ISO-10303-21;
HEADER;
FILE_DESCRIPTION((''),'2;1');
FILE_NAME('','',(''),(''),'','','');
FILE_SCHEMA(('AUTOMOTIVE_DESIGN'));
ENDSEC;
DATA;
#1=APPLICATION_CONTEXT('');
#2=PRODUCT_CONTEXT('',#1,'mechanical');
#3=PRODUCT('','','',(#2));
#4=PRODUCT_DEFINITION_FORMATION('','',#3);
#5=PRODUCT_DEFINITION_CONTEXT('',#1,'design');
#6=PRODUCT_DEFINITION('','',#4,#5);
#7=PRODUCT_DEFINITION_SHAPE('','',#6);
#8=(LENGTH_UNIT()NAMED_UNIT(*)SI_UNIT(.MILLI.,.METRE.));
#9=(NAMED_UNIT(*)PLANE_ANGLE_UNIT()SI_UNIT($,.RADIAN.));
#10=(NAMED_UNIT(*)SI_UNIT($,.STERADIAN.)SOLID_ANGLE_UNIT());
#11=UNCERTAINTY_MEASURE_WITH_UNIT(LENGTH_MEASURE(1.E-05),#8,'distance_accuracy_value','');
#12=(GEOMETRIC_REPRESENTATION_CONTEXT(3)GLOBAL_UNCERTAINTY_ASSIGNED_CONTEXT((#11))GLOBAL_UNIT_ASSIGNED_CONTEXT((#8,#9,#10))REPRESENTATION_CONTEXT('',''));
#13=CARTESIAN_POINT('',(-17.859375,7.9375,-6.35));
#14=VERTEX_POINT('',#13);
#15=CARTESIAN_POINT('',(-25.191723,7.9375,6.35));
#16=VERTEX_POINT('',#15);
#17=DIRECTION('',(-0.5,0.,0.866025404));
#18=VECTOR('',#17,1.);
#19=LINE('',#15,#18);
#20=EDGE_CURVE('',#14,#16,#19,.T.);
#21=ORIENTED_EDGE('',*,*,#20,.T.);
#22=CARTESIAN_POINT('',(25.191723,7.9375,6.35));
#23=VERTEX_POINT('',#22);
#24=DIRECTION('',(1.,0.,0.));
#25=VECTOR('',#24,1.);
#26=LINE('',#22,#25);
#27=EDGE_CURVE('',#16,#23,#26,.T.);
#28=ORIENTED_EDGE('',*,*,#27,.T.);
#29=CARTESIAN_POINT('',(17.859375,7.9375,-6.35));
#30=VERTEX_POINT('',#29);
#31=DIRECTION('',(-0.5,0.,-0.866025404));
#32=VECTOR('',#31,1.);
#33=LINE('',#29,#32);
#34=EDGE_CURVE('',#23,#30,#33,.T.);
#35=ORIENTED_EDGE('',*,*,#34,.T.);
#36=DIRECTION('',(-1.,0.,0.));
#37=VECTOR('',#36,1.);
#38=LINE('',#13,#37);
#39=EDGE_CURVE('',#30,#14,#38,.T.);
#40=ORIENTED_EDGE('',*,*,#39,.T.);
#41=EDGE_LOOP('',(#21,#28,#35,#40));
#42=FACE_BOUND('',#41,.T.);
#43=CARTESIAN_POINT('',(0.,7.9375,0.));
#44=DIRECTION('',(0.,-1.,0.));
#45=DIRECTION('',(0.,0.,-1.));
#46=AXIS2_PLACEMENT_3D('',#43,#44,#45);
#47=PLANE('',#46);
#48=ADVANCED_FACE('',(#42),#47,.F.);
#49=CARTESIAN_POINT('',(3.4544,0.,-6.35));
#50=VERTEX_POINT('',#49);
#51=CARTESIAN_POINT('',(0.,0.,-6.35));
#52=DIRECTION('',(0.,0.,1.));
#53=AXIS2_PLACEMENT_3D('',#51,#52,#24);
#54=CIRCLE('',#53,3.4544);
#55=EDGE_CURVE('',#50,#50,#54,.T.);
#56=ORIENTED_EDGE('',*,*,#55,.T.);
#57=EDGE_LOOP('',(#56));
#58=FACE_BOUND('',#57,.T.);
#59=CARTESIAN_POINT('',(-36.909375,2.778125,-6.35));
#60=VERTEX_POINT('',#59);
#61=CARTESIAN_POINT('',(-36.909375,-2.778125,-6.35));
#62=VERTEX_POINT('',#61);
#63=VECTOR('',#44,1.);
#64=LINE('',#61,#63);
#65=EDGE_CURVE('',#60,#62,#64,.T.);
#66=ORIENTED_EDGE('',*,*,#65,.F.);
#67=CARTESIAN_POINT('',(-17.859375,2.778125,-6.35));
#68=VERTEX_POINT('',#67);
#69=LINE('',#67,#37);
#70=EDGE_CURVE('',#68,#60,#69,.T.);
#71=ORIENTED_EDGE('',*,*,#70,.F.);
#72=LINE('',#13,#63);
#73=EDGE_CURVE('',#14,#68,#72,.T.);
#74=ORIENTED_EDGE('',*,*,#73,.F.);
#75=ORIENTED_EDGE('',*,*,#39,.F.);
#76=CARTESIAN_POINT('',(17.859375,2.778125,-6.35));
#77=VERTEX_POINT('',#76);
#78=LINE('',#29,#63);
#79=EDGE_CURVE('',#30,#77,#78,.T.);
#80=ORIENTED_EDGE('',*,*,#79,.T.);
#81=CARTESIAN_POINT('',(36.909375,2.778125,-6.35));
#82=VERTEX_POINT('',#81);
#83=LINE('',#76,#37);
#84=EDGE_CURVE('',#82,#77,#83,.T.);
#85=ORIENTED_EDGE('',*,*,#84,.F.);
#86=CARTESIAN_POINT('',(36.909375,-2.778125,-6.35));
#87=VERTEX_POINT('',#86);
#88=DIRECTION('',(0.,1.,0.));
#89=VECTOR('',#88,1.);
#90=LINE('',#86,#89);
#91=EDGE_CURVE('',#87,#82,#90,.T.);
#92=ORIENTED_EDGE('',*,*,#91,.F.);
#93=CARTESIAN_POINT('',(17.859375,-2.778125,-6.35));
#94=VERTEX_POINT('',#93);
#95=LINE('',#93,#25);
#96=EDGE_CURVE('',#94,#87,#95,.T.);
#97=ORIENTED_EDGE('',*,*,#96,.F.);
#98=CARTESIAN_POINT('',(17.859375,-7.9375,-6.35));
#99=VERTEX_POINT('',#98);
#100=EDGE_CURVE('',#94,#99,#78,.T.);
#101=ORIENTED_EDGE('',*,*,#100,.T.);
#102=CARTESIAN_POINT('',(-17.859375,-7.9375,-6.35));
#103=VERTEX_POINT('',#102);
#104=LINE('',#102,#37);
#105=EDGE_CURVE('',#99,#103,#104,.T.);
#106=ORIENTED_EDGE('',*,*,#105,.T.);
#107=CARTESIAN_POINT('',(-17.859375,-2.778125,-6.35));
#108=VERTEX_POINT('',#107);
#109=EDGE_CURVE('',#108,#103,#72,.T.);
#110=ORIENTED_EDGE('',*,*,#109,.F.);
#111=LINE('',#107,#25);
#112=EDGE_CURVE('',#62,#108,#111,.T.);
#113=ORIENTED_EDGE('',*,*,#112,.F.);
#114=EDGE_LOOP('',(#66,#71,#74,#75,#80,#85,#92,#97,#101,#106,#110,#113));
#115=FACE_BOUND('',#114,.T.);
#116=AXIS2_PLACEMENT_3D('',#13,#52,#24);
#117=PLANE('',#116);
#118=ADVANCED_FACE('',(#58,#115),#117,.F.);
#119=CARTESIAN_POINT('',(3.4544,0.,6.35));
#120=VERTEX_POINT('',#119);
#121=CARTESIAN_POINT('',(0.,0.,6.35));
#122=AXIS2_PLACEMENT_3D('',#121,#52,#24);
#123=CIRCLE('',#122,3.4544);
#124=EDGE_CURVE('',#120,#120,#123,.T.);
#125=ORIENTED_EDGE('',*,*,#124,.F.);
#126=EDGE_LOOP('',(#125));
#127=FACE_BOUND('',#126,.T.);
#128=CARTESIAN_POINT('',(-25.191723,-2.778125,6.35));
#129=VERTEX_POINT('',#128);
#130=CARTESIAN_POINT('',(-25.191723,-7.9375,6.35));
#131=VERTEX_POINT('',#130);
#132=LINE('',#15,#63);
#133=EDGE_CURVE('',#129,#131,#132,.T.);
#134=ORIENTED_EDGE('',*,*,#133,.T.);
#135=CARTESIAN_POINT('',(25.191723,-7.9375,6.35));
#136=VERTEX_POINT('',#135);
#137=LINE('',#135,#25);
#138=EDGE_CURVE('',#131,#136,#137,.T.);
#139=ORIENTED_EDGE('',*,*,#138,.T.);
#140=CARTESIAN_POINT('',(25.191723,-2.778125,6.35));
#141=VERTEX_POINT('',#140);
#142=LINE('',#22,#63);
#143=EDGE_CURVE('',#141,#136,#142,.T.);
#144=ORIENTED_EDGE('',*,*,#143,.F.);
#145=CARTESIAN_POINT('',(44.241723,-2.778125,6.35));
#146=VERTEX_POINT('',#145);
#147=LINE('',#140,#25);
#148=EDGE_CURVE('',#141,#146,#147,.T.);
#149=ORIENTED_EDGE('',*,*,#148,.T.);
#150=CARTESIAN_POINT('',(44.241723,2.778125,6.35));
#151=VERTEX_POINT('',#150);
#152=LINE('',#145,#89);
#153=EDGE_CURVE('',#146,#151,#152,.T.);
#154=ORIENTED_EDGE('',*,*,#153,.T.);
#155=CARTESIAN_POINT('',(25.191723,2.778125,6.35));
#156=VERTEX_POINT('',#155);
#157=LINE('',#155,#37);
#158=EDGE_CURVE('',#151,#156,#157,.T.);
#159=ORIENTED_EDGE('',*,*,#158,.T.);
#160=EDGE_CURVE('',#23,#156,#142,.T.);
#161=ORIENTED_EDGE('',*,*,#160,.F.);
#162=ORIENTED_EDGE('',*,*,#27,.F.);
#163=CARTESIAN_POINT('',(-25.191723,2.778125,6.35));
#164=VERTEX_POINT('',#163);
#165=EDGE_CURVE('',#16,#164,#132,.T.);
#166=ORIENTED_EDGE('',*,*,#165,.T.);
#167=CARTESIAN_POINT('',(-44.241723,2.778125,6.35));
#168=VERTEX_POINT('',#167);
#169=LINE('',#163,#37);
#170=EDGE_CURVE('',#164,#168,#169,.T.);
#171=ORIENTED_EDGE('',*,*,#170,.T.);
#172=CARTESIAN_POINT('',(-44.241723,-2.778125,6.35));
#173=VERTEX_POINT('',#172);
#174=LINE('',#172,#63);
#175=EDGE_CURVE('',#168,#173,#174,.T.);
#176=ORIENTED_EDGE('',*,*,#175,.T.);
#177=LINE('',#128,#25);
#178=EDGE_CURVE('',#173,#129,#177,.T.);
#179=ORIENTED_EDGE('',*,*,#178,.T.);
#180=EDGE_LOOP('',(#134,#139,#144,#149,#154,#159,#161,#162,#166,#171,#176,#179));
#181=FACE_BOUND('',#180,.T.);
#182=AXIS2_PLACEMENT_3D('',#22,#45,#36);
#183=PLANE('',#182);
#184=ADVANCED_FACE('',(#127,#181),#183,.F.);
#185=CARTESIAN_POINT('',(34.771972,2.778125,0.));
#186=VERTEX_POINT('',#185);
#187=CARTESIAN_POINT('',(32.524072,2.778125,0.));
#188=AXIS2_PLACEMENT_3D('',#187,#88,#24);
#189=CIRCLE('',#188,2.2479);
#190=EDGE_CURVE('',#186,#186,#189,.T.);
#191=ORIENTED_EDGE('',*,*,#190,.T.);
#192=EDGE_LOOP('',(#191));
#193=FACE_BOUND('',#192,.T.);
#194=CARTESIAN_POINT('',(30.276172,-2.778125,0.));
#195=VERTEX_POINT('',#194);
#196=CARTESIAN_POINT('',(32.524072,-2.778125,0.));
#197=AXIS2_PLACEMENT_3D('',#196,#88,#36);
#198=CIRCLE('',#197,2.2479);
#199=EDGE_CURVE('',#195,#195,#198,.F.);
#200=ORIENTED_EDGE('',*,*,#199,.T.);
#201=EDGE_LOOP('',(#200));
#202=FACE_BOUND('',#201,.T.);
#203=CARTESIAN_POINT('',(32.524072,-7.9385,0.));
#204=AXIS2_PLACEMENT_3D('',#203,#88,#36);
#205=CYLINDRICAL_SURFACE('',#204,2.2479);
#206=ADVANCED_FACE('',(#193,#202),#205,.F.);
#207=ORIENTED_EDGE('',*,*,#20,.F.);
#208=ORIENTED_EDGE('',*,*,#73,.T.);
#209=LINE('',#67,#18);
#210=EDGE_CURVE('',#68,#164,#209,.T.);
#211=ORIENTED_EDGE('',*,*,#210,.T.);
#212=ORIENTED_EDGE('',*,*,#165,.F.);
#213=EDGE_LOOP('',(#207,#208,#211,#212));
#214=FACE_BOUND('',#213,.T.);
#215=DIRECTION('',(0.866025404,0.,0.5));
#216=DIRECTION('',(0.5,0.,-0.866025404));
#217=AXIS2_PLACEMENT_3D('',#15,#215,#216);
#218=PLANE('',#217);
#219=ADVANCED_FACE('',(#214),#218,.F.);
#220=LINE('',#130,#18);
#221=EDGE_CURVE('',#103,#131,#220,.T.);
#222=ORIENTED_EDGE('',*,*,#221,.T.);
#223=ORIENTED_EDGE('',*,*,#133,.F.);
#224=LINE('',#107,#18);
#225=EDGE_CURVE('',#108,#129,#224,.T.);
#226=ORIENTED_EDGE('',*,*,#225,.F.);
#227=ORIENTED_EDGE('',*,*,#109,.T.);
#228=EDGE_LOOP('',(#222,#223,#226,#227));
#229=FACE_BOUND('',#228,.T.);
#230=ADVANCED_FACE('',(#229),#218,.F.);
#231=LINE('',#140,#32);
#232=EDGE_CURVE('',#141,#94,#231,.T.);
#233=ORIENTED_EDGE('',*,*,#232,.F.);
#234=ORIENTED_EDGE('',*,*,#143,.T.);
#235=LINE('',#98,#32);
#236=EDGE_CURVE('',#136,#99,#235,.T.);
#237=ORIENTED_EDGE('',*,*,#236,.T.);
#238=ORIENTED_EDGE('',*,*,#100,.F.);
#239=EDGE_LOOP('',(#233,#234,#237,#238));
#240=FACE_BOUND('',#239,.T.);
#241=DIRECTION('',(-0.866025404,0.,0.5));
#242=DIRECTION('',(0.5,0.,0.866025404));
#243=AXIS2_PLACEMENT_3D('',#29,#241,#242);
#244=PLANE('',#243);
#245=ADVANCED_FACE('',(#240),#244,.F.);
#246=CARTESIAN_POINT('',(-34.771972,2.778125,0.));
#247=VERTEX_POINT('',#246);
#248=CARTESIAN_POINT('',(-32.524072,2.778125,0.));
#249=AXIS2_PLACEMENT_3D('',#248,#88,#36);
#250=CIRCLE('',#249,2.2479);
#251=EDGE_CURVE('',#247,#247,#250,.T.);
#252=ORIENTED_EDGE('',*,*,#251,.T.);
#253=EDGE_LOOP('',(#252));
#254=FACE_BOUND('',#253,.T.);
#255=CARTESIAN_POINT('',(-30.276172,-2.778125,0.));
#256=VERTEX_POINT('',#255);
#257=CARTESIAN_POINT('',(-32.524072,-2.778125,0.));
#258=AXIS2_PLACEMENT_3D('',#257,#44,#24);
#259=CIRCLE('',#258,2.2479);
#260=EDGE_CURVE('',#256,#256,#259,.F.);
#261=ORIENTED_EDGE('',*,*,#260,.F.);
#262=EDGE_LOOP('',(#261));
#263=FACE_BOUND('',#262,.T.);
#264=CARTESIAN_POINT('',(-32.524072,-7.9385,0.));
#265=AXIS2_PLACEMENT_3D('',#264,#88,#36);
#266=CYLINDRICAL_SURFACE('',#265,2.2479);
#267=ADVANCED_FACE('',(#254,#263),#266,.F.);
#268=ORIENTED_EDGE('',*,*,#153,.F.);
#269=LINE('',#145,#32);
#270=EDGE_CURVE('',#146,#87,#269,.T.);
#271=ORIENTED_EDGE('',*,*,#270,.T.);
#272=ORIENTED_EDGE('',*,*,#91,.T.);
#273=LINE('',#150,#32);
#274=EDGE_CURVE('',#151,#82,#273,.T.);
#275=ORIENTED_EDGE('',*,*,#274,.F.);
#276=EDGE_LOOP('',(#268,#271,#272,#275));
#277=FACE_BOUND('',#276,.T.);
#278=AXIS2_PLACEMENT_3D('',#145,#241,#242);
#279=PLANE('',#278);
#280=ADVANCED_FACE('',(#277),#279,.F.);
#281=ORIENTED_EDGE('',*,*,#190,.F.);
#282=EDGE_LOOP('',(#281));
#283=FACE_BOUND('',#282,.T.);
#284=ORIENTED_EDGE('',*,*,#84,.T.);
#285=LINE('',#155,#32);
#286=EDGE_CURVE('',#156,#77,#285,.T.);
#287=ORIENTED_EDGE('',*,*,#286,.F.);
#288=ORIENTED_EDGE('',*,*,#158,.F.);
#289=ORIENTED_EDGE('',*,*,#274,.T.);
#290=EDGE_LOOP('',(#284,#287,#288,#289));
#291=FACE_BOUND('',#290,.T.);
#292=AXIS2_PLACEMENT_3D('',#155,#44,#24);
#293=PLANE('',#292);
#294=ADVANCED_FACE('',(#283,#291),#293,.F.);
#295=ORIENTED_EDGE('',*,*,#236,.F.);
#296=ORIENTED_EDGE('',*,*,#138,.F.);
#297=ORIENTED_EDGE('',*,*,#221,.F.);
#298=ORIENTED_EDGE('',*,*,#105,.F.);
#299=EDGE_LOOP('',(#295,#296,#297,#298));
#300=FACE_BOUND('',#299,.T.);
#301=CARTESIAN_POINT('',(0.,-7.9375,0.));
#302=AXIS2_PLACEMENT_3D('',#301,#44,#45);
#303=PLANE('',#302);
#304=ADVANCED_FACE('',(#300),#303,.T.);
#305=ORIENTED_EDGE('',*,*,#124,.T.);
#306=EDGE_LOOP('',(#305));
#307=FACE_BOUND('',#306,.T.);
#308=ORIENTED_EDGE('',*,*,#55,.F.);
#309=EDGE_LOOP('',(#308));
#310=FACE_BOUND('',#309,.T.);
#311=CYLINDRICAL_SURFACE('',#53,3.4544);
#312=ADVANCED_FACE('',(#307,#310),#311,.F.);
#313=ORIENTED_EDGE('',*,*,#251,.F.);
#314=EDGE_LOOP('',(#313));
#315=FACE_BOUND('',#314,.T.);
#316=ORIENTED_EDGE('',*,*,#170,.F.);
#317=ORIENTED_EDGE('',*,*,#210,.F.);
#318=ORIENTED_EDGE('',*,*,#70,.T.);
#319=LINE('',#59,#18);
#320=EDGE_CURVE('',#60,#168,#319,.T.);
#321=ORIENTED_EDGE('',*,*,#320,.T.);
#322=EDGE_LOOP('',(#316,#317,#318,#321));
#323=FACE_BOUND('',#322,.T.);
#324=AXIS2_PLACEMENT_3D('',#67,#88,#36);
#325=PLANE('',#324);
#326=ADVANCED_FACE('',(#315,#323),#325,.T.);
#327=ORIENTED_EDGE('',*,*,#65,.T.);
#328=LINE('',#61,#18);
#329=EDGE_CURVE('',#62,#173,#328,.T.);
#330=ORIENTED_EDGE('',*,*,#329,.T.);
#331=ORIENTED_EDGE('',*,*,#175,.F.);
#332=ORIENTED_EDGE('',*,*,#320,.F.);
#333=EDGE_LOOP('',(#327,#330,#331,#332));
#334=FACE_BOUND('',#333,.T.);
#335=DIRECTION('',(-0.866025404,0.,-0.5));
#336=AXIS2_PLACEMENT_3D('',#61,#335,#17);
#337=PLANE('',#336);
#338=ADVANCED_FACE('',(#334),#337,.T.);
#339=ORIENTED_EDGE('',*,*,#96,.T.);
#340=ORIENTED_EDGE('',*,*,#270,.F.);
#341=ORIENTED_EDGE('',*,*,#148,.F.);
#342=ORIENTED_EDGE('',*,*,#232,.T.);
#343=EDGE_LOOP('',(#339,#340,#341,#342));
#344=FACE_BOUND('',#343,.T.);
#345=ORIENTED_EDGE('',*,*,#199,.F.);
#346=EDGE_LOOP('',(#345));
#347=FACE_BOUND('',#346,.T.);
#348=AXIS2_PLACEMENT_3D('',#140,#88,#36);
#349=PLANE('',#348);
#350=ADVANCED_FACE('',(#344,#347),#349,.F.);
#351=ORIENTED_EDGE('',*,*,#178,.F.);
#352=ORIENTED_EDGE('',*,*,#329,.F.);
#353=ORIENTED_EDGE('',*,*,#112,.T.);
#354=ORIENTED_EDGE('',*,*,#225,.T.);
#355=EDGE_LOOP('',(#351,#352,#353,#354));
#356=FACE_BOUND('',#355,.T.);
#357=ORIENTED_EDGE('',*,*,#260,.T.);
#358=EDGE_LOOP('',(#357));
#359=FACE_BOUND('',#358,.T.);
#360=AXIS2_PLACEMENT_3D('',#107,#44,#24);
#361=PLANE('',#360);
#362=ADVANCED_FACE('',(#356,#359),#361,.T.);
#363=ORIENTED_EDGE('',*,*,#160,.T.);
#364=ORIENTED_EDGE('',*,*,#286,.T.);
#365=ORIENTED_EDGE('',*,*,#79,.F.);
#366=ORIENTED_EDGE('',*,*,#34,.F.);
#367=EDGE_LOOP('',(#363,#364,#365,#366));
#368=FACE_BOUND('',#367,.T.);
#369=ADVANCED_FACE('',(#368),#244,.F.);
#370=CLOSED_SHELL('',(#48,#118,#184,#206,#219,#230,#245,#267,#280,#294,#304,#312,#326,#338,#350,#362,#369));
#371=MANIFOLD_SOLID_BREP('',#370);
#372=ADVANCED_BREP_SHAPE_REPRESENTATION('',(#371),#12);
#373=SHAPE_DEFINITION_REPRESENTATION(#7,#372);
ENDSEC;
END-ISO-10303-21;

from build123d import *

# Parameters (mm, degrees)
BOSS_EXTRUDE1_DEPTH = 7.9375
SKETCH5_R           = 3.4544
CUT_EXTRUDE2_DEPTH  = 30.30728297
SKETCH6_W           = 19.05
SKETCH6_H           = 5.55625
SKETCH7_W           = 19.05
SKETCH7_H           = 5.55625
CUT_EXTRUDE3_REACH  = 47.962
SKETCH8_R           = 2.2479


with BuildPart() as part:
    # Sketch2 → Boss-Extrude1 (new, symmetric)
    with BuildSketch(Plane(origin=(0, 0, 0), x_dir=(1, 0, 0), z_dir=(0, 1, 0))):
        Polygon((-17.859375, 6.35), (17.859375, 6.35), (25.191723419, -6.35), (-25.191723419, -6.35), align=None)
    extrude(amount=BOSS_EXTRUDE1_DEPTH, both=True)

    # Sketch5 → Cut-Extrude2 (cut, through all)
    with BuildSketch(Plane.XY.offset(6.35)):
        Circle(SKETCH5_R)
    extrude(amount=-CUT_EXTRUDE2_DEPTH, mode=Mode.SUBTRACT)

    # Sweep1: sweep along a curve in space
    with BuildLine() as sweep1_path:
        Line((-17.859375, 7.9375, -6.35), (-25.191723419, 7.9375, 6.35))
    # Sketch6 → Sweep1 (sweep)
    with BuildSketch(Plane.XY.offset(6.35)):
        with Locations((-34.716723419, 0)):
            Rectangle(SKETCH6_W, SKETCH6_H)
    sweep(path=sweep1_path.line)

    # Sweep2: sweep along a curve in space
    with BuildLine() as sweep2_path:
        Line((25.191723419, 7.9375, 6.35), (17.859375, 7.9375, -6.35))
    # Sketch7 → Sweep2 (sweep)
    with BuildSketch(Plane.XY.offset(6.35)):
        with Locations((34.716723419, 0)):
            Rectangle(SKETCH7_W, SKETCH7_H)
    sweep(path=sweep2_path.line)

    # Sketch8 → Cut-Extrude3 (cut, up to next)
    with BuildSketch(Plane(origin=(0, 2.778125, 0), x_dir=(1, 0, 0), z_dir=(0, 1, 0)), mode=Mode.PRIVATE) as cut_extrude3_sk1:
        with Locations(Location((-32.524071837, 0, 0), (0, 0, 180))):
            Circle(SKETCH8_R)
    cut_extrude3_tool1 = extrude(cut_extrude3_sk1.sketch, amount=-CUT_EXTRUDE3_REACH, mode=Mode.PRIVATE) & part.part
    # Sketch8 → Cut-Extrude3 (cut, up to next)
    with BuildSketch(Plane(origin=(0, 2.778125, 0), x_dir=(1, 0, 0), z_dir=(0, 1, 0)), mode=Mode.PRIVATE) as cut_extrude3_sk2:
        with Locations(Location((32.524071837, 0, 0), (0, 0, 180))):
            Circle(SKETCH8_R)
    cut_extrude3_tool2 = extrude(cut_extrude3_sk2.sketch, amount=-CUT_EXTRUDE3_REACH, mode=Mode.PRIVATE) & part.part
    add(cut_extrude3_tool1.solids().sort_by_distance((-32.524072, 2.778125, 0))[0], mode=Mode.SUBTRACT)
    add(cut_extrude3_tool2.solids().sort_by_distance((32.524072, 2.778125, 0))[0], mode=Mode.SUBTRACT)


solid = part.part
